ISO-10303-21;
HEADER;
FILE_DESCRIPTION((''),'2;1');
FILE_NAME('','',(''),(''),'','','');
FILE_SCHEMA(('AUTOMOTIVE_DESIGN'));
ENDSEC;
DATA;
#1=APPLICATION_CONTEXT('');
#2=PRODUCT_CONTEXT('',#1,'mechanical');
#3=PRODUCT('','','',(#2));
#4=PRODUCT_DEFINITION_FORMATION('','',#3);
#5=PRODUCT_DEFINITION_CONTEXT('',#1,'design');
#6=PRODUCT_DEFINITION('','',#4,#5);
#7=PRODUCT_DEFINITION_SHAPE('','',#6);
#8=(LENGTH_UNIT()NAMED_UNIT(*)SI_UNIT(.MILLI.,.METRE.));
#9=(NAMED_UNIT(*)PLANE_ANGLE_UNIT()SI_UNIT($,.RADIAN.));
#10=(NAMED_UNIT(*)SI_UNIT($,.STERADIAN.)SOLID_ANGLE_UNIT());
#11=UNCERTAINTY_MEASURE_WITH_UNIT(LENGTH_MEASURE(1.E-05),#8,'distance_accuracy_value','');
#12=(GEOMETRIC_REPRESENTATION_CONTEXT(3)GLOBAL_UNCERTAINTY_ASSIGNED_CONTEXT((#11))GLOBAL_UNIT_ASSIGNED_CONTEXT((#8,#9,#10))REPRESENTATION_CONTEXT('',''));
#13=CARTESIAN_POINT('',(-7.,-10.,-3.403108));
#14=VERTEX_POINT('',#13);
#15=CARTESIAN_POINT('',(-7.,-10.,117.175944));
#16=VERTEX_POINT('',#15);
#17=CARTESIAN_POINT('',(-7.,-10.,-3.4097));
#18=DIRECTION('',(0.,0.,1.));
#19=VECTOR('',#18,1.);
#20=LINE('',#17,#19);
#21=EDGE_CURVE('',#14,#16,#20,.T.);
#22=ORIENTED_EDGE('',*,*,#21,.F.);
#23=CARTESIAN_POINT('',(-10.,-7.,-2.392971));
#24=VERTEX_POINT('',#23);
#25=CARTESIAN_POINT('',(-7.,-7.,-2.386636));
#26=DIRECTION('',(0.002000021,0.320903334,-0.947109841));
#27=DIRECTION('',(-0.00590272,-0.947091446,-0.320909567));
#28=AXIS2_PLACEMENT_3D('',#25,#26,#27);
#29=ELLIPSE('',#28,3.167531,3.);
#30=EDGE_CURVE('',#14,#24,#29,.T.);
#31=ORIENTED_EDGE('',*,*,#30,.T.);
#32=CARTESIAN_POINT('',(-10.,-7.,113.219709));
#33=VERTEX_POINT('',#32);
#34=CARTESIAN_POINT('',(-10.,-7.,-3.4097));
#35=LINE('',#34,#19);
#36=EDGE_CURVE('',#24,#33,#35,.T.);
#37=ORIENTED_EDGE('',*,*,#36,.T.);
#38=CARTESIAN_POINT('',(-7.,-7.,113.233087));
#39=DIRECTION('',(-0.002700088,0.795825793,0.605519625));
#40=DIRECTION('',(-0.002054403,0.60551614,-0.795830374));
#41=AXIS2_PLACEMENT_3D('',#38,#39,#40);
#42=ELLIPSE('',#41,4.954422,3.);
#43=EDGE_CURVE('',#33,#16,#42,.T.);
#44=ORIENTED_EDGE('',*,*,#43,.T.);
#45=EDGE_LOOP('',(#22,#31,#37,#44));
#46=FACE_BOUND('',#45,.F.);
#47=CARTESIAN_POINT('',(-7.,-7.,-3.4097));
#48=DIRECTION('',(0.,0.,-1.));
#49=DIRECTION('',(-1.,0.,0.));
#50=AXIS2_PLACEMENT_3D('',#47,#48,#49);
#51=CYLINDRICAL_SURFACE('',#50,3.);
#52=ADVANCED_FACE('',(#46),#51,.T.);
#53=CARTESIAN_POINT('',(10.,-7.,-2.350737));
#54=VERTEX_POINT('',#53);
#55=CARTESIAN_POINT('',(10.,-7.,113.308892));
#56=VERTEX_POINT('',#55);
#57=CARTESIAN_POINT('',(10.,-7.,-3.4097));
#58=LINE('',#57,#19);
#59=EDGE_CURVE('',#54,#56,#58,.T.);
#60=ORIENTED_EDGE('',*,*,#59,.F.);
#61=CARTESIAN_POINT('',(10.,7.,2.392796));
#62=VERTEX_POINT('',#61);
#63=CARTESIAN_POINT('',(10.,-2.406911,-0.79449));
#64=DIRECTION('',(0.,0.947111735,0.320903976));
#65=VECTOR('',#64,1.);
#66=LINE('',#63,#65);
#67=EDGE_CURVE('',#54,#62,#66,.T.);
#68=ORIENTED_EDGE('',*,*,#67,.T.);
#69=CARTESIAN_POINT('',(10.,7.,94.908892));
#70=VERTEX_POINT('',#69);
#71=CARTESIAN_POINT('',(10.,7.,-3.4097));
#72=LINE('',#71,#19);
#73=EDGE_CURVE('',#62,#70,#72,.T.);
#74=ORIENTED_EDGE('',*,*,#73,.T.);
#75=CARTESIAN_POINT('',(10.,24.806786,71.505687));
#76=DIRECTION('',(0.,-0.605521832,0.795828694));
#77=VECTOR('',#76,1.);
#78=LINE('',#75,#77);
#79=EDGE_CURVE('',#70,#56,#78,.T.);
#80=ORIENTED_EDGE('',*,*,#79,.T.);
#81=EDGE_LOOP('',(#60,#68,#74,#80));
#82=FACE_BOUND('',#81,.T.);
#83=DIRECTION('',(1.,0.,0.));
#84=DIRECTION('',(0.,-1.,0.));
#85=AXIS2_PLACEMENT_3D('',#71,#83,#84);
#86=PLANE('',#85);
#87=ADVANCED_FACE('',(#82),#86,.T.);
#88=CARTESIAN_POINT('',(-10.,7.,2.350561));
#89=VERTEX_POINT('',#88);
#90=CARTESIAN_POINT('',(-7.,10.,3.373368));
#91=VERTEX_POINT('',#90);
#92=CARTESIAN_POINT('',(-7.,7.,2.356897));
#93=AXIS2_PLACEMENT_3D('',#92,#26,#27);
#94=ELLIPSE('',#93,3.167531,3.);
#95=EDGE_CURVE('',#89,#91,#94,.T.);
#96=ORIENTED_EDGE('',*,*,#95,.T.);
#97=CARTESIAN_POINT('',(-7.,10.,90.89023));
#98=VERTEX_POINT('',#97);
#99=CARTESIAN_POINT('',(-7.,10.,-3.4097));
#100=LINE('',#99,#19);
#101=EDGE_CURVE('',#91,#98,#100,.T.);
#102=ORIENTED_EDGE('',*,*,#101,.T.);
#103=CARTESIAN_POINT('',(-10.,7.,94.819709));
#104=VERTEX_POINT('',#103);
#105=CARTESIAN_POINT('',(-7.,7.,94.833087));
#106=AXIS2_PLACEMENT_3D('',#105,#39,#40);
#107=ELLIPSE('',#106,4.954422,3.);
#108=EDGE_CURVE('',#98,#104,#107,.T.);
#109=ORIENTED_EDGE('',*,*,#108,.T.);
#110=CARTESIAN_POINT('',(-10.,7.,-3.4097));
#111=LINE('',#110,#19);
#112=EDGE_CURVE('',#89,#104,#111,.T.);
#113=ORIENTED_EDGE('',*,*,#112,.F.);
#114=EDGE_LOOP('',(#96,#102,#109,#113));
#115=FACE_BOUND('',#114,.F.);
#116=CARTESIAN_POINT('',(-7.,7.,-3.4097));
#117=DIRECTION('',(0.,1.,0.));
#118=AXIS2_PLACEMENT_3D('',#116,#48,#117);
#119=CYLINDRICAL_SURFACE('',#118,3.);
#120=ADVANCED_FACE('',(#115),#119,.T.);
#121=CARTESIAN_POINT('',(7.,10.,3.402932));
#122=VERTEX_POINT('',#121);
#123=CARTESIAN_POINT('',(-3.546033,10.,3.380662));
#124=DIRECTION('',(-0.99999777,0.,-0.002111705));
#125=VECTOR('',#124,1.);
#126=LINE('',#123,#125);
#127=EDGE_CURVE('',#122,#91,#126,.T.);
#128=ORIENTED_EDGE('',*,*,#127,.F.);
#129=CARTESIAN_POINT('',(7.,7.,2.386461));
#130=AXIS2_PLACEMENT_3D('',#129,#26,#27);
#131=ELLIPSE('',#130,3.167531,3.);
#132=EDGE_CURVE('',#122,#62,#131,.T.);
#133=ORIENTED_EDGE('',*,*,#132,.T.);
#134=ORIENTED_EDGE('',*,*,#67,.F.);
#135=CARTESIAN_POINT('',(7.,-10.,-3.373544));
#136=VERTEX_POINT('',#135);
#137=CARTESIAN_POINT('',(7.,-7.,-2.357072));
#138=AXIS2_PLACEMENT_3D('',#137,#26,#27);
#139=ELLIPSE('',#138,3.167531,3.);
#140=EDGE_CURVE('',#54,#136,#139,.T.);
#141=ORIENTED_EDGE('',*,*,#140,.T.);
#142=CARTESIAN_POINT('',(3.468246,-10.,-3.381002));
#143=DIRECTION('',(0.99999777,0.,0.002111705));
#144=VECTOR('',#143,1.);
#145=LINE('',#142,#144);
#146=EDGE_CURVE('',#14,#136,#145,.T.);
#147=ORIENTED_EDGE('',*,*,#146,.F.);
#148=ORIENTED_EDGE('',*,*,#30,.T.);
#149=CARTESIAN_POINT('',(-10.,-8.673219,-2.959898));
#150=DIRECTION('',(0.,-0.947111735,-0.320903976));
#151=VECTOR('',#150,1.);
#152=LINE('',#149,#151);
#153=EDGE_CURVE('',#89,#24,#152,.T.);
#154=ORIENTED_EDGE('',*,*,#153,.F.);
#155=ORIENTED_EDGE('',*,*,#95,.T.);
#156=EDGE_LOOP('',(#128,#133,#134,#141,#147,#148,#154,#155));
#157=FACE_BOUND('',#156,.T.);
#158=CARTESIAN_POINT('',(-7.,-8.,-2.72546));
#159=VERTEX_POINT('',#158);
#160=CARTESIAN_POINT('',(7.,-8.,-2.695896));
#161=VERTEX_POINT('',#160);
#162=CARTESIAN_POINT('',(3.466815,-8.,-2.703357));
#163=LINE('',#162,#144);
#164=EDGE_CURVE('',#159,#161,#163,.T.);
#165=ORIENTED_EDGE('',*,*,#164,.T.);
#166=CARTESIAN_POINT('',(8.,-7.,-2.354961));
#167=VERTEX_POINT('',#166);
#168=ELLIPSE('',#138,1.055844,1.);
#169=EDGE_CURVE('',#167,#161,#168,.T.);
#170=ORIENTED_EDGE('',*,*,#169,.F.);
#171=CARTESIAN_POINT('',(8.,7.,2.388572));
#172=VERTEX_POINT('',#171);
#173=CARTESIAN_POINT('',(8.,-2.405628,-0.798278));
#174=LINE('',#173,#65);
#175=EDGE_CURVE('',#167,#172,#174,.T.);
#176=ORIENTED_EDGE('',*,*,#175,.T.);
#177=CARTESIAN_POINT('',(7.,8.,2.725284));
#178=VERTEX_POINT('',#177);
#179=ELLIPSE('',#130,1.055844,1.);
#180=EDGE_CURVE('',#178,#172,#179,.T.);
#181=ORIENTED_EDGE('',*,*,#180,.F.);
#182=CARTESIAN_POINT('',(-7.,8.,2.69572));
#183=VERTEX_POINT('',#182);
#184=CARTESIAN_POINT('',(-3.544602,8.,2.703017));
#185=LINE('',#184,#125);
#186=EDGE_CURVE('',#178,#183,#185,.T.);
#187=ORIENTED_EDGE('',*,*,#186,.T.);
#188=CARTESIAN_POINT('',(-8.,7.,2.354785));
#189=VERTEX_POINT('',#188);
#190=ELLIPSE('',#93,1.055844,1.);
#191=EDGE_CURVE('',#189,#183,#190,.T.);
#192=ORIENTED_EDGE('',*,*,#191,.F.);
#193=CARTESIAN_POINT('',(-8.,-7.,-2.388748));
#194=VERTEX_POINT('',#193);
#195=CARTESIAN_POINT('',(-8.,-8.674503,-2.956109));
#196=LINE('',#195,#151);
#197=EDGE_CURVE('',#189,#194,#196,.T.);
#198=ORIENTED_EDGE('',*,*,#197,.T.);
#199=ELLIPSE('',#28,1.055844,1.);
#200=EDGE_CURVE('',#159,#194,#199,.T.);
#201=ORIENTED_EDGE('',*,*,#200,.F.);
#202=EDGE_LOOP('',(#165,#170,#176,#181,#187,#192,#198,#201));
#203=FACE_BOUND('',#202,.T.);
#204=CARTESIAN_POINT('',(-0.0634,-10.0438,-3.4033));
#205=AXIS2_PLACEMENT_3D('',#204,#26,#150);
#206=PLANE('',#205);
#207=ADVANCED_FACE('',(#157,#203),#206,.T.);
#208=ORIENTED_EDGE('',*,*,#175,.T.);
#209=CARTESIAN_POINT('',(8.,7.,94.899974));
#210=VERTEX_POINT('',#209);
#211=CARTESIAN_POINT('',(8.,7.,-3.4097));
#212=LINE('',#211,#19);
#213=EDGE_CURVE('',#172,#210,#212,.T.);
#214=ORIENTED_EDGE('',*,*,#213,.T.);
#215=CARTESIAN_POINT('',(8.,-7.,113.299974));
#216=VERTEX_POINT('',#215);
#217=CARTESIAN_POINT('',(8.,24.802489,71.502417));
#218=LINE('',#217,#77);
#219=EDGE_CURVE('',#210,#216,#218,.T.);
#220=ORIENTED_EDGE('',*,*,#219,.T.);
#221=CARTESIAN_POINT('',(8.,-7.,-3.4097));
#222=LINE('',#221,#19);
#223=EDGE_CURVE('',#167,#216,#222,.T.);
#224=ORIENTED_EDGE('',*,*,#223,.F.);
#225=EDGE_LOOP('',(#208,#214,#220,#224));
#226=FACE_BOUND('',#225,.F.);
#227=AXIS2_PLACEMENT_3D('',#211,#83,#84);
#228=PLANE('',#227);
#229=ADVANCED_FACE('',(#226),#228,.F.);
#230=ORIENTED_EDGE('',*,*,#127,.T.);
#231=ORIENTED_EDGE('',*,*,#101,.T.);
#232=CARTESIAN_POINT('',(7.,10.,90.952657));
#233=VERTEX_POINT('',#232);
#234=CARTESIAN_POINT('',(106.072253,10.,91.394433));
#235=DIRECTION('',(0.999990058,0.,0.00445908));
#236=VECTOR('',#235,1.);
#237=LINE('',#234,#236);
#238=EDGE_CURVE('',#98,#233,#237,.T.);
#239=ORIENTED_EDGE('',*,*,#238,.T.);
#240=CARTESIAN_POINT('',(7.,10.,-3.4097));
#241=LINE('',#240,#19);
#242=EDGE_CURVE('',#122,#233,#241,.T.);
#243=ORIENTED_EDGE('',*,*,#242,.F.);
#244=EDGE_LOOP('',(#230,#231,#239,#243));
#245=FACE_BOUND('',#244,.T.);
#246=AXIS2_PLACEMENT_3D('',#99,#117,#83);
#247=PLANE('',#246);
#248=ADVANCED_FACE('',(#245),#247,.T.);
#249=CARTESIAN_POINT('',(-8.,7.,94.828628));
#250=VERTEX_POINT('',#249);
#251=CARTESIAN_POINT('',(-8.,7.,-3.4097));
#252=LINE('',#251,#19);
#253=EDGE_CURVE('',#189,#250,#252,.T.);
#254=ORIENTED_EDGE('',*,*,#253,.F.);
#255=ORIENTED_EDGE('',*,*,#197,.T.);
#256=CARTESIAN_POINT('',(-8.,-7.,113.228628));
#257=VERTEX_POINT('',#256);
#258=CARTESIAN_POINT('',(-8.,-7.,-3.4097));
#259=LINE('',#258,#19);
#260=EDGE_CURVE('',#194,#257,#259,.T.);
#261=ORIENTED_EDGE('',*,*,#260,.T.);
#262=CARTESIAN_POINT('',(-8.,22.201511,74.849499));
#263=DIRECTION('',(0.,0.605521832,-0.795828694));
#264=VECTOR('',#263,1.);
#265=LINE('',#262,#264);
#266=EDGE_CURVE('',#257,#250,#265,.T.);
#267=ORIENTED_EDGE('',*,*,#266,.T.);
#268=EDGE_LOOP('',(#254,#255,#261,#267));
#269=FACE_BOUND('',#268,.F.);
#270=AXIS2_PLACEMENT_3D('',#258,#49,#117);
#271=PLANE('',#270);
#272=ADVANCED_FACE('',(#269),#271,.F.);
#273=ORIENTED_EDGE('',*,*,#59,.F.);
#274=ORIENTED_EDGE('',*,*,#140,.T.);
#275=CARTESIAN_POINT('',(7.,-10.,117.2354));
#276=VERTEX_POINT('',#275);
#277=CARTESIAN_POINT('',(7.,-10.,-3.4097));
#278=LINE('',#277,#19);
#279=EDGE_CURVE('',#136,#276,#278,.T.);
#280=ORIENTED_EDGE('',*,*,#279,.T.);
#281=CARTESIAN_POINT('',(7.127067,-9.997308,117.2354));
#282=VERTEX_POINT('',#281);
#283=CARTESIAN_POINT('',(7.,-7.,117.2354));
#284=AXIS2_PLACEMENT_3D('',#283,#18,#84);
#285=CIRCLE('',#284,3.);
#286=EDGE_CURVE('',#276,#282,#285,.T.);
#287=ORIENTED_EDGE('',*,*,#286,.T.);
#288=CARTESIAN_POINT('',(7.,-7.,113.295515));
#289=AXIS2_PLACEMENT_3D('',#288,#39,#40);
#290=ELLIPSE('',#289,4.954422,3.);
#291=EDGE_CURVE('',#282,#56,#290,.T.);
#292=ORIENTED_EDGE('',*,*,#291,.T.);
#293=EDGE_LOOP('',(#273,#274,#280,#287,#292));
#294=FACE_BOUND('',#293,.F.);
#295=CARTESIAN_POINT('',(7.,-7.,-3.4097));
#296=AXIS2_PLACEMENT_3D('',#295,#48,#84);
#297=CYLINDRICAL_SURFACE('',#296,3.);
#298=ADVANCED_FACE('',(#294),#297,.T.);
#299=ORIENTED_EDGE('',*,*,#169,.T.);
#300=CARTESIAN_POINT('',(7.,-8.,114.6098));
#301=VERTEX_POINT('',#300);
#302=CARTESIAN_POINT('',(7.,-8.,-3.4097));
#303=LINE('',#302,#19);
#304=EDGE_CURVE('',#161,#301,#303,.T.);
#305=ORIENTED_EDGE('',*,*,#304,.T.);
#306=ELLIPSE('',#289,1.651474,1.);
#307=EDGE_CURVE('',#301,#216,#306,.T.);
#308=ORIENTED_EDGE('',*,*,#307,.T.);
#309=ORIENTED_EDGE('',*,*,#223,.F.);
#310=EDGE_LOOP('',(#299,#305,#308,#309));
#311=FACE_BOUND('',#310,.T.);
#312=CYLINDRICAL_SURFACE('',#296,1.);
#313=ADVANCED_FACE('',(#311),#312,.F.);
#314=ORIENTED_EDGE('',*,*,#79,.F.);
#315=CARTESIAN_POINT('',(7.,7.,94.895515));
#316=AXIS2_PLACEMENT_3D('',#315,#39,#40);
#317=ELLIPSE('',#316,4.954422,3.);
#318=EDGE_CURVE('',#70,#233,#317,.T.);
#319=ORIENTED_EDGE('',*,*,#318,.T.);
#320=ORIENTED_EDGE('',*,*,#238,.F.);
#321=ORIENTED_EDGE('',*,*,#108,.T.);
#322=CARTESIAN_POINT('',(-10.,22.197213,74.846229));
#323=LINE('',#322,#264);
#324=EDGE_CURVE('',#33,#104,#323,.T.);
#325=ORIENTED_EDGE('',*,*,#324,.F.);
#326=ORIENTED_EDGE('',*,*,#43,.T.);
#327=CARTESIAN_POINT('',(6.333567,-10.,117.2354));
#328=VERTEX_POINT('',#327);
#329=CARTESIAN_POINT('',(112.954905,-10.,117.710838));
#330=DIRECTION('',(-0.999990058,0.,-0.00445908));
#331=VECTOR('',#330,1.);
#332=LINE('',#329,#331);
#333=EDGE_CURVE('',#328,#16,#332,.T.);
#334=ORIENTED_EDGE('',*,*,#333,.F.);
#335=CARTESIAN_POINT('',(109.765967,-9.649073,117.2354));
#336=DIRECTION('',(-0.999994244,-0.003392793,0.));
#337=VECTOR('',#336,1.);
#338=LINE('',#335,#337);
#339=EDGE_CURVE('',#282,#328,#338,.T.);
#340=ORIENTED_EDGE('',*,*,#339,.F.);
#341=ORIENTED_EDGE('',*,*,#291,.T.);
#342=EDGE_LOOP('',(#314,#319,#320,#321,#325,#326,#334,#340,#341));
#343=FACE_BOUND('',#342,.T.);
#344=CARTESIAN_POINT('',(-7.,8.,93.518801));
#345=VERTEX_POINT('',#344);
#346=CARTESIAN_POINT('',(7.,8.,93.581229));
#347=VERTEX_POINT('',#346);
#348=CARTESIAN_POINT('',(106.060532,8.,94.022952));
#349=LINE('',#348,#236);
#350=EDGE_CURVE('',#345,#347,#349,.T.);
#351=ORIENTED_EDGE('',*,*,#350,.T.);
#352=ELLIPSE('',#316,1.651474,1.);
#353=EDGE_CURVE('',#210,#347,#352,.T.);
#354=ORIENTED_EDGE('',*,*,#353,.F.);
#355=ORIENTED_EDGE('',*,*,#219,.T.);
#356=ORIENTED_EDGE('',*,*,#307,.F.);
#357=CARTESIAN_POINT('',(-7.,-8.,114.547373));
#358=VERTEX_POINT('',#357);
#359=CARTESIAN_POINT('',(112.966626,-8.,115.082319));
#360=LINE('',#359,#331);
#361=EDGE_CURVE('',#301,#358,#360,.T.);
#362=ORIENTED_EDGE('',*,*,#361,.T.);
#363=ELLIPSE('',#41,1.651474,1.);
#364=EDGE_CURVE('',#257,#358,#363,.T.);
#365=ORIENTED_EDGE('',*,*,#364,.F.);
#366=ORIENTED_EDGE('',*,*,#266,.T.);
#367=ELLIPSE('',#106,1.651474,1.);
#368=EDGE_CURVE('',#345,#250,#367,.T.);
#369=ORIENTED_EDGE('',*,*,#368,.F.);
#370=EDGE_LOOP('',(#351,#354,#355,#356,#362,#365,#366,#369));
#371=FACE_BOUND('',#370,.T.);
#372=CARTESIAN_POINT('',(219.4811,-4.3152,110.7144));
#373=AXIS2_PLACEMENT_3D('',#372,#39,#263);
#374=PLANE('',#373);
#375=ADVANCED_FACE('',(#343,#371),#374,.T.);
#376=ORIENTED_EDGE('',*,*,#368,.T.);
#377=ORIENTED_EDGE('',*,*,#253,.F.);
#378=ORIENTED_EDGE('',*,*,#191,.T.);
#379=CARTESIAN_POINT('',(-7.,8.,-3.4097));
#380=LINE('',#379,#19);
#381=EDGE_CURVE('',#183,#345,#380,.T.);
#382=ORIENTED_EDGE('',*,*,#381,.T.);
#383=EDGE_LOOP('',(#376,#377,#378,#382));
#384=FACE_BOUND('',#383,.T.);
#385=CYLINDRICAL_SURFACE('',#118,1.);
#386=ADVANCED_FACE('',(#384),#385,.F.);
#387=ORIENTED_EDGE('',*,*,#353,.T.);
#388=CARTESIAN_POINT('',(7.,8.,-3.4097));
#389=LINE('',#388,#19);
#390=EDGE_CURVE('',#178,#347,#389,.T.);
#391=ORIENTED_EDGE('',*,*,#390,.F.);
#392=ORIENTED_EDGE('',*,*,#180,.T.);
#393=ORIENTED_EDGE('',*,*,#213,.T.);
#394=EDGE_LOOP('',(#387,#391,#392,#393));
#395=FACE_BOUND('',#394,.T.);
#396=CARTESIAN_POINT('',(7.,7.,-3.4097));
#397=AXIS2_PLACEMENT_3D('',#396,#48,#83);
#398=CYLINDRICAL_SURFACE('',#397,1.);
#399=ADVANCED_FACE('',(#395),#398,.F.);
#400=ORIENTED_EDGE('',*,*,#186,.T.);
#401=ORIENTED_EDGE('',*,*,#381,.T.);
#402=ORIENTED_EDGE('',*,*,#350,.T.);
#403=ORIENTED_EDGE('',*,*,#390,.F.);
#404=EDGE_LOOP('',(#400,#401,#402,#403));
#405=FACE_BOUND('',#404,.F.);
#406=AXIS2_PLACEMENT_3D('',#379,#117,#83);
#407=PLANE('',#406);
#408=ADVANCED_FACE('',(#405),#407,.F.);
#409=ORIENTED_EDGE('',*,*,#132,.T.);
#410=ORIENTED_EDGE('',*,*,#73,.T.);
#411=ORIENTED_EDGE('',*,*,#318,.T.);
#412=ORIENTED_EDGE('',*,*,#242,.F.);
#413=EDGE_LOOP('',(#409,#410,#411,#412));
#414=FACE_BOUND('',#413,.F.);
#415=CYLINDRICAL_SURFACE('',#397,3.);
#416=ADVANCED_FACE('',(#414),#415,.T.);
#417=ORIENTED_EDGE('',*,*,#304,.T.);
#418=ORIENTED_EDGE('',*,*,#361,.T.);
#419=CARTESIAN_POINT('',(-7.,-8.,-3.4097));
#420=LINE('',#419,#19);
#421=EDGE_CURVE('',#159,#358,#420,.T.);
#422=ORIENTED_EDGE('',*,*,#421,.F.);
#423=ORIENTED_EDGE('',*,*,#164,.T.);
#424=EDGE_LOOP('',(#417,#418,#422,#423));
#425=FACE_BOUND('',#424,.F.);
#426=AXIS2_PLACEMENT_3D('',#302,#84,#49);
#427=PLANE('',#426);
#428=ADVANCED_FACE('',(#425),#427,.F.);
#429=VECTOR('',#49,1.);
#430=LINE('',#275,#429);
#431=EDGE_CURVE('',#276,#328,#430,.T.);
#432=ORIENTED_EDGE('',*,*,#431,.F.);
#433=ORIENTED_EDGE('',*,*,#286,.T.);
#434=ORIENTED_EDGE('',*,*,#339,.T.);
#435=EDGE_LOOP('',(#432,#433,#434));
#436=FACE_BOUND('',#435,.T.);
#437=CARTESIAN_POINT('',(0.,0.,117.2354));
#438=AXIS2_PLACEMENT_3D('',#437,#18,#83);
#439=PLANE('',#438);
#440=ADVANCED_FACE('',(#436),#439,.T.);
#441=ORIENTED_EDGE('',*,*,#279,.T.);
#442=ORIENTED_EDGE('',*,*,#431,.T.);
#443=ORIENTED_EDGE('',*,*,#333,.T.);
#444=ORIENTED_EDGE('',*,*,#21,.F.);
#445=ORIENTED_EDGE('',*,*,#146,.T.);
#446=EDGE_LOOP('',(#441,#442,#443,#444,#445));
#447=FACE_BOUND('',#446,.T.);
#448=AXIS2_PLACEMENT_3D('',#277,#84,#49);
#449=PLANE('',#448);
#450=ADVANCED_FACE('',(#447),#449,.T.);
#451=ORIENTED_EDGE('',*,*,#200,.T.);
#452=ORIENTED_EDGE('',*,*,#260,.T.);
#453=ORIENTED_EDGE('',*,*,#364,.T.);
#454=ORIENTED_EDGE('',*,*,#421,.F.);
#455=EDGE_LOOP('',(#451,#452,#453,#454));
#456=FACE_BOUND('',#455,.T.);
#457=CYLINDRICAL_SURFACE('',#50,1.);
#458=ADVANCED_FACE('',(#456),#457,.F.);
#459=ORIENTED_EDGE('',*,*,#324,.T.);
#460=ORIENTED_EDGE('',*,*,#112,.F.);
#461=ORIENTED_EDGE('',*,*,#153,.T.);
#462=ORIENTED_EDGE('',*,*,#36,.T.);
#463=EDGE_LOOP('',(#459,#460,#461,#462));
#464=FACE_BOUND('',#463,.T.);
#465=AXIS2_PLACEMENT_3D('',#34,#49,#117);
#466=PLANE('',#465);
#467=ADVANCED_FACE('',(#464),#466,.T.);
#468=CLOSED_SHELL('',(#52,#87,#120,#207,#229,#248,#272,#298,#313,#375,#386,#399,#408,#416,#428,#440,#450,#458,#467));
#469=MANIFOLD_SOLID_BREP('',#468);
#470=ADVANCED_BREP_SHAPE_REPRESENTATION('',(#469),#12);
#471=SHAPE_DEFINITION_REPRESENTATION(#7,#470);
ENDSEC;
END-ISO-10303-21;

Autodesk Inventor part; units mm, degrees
ref_plane "Start Plane" through (0, 0, -3.4097) normal (0, 0, 1) x (1, 0, 0)
ref_plane "End Plane" through (0, 0, 117.2353) normal (0, 0, 1) x (1, 0, 0)
sketch "Sketch" plane through (0, 0, 0) normal (0, 0, 1) x (1, 0, 0)
  line L0 (-10, -7) -> (-10, 7)
  line L1 (-7, 10) -> (7, 10)
  line L2 (10, 7) -> (10, -7)
  line L3 (7, -10) -> (-7, -10)
  arc A0 (-10, -7) -> (-7, -10) centre (-7, -7) ccw
  arc A1 (-7, 10) -> (-10, 7) centre (-7, 7) ccw
  arc A2 (10, 7) -> (7, 10) centre (7, 7) ccw
  arc A3 (7, -10) -> (10, -7) centre (7, -7) ccw
  arc A4 (-7, 8) -> (-8, 7) centre (-7, 7) ccw
  line L4 (-7, 8) -> (7, 8)
  arc A5 (8, 7) -> (7, 8) centre (7, 7) ccw
  line L5 (8, 7) -> (8, -7)
  arc A6 (7, -8) -> (8, -7) centre (7, -7) ccw
  line L6 (7, -8) -> (-7, -8)
  arc A7 (-8, -7) -> (-7, -8) centre (-7, -7) ccw
  line L7 (-8, -7) -> (-8, 7)
  line L8 (0, 14.8698) -> (0, -14.8698) construction
  line L9 (-14.8698, 0) -> (14.8698, 0) construction
  dimension "d7" = 3
  dimension "d10" = 20
  dimension "d11" = 20
  dimension "d12" = 2
  dimension "d15" = 10
  dimension "d16" = 10
extrude "Body" add sketch "Sketch" along normal up to surface (120.6451 mm away) from surface at -3.4097
sketch "Sketch3" plane through (0, 0, 0) normal (0, 0, 1) x (1, 0, 0)
  line L0 (0, 0) -> (10, 0)
ref_plane "Work Plane3" through (0, 0, 0) normal (0, -1, 0) x (1, 0, 0)
sketch "Sketch4" plane through (0, 0, 0) normal (0, -1, 0) x (1, 0, 0)
  line L0 (-2, -3.4097) -> (12, -3.4097)
  line L1 (-2, 117.2353) -> (12, 117.2353)
  dimension "d18" = 120.645
ref_plane "Work Plane4" through (-0.0634, -10.0438, -3.4033) normal (0.002, 0.3209, -0.9471) x (0.9999, -0.0123, -0.002)
split "Split1" plane through (-0.0634, -10.0438, -3.4033) removes the side toward (0.002, 0.3209, -0.9471)
ref_plane "Work Plane5" through (219.4811, -4.3152, 110.7144) normal (-0.0027, 0.7958, 0.6055) x (1, 0.0014, 0.0027)
split "Split2" plane through (219.4811, -4.3152, 110.7144) removes the side toward (-0.0027, 0.7958, 0.6055)
ref_plane "Work Plane7" through (0.108, -1.8289, -14.111) normal (-0.0027, 0.7958, 0.6055) x (-1, -0.0023, -0.0016)
sketch "Sketch6" plane through (0.108, -1.8289, -14.111) normal (-0.0027, 0.7958, 0.6055) x (-1, -0.0023, -0.0016)
  circle A0 centre (-0.1219, -14.9734) radius 2.25 projected
  circle A1 centre (-0.1219, -14.9734) radius 4
  point P0 (0.0818, 10.1227)
  dimension "d22" = 8
extrude "Extrusion2" [suppressed]
equation "\"d7\" = G_IR"
equation "\"d10\" = G_H"
equation "\"d11\" = G_W"
equation "\"d12\" = G_T"
equation "\"d15\" = 0.5 * d10"
equation "\"d16\" = 0.5 * d11"
equation "\"d3\" = G_L"
equation "\"G_W\" = 20"
equation "\"G_H\" = 20"
equation "\"G_T\" = 2"
equation "\"G_IR\" = 3"
equation "\"G_L\" = d18"
equation "\"G_OFFSET_START\" = 3.40974"
equation "\"G_OFFSET_END\" = 13.16879"
equation "\"d13\" = -G_OFFSET_START"
equation "\"d14\" = G_OFFSET_END + B_L"
equation "\"B_L\" = 104.06651"
properties part number "ISO 12633-2 - 20x20x2 - 120.65" material "Steel, Mild"
